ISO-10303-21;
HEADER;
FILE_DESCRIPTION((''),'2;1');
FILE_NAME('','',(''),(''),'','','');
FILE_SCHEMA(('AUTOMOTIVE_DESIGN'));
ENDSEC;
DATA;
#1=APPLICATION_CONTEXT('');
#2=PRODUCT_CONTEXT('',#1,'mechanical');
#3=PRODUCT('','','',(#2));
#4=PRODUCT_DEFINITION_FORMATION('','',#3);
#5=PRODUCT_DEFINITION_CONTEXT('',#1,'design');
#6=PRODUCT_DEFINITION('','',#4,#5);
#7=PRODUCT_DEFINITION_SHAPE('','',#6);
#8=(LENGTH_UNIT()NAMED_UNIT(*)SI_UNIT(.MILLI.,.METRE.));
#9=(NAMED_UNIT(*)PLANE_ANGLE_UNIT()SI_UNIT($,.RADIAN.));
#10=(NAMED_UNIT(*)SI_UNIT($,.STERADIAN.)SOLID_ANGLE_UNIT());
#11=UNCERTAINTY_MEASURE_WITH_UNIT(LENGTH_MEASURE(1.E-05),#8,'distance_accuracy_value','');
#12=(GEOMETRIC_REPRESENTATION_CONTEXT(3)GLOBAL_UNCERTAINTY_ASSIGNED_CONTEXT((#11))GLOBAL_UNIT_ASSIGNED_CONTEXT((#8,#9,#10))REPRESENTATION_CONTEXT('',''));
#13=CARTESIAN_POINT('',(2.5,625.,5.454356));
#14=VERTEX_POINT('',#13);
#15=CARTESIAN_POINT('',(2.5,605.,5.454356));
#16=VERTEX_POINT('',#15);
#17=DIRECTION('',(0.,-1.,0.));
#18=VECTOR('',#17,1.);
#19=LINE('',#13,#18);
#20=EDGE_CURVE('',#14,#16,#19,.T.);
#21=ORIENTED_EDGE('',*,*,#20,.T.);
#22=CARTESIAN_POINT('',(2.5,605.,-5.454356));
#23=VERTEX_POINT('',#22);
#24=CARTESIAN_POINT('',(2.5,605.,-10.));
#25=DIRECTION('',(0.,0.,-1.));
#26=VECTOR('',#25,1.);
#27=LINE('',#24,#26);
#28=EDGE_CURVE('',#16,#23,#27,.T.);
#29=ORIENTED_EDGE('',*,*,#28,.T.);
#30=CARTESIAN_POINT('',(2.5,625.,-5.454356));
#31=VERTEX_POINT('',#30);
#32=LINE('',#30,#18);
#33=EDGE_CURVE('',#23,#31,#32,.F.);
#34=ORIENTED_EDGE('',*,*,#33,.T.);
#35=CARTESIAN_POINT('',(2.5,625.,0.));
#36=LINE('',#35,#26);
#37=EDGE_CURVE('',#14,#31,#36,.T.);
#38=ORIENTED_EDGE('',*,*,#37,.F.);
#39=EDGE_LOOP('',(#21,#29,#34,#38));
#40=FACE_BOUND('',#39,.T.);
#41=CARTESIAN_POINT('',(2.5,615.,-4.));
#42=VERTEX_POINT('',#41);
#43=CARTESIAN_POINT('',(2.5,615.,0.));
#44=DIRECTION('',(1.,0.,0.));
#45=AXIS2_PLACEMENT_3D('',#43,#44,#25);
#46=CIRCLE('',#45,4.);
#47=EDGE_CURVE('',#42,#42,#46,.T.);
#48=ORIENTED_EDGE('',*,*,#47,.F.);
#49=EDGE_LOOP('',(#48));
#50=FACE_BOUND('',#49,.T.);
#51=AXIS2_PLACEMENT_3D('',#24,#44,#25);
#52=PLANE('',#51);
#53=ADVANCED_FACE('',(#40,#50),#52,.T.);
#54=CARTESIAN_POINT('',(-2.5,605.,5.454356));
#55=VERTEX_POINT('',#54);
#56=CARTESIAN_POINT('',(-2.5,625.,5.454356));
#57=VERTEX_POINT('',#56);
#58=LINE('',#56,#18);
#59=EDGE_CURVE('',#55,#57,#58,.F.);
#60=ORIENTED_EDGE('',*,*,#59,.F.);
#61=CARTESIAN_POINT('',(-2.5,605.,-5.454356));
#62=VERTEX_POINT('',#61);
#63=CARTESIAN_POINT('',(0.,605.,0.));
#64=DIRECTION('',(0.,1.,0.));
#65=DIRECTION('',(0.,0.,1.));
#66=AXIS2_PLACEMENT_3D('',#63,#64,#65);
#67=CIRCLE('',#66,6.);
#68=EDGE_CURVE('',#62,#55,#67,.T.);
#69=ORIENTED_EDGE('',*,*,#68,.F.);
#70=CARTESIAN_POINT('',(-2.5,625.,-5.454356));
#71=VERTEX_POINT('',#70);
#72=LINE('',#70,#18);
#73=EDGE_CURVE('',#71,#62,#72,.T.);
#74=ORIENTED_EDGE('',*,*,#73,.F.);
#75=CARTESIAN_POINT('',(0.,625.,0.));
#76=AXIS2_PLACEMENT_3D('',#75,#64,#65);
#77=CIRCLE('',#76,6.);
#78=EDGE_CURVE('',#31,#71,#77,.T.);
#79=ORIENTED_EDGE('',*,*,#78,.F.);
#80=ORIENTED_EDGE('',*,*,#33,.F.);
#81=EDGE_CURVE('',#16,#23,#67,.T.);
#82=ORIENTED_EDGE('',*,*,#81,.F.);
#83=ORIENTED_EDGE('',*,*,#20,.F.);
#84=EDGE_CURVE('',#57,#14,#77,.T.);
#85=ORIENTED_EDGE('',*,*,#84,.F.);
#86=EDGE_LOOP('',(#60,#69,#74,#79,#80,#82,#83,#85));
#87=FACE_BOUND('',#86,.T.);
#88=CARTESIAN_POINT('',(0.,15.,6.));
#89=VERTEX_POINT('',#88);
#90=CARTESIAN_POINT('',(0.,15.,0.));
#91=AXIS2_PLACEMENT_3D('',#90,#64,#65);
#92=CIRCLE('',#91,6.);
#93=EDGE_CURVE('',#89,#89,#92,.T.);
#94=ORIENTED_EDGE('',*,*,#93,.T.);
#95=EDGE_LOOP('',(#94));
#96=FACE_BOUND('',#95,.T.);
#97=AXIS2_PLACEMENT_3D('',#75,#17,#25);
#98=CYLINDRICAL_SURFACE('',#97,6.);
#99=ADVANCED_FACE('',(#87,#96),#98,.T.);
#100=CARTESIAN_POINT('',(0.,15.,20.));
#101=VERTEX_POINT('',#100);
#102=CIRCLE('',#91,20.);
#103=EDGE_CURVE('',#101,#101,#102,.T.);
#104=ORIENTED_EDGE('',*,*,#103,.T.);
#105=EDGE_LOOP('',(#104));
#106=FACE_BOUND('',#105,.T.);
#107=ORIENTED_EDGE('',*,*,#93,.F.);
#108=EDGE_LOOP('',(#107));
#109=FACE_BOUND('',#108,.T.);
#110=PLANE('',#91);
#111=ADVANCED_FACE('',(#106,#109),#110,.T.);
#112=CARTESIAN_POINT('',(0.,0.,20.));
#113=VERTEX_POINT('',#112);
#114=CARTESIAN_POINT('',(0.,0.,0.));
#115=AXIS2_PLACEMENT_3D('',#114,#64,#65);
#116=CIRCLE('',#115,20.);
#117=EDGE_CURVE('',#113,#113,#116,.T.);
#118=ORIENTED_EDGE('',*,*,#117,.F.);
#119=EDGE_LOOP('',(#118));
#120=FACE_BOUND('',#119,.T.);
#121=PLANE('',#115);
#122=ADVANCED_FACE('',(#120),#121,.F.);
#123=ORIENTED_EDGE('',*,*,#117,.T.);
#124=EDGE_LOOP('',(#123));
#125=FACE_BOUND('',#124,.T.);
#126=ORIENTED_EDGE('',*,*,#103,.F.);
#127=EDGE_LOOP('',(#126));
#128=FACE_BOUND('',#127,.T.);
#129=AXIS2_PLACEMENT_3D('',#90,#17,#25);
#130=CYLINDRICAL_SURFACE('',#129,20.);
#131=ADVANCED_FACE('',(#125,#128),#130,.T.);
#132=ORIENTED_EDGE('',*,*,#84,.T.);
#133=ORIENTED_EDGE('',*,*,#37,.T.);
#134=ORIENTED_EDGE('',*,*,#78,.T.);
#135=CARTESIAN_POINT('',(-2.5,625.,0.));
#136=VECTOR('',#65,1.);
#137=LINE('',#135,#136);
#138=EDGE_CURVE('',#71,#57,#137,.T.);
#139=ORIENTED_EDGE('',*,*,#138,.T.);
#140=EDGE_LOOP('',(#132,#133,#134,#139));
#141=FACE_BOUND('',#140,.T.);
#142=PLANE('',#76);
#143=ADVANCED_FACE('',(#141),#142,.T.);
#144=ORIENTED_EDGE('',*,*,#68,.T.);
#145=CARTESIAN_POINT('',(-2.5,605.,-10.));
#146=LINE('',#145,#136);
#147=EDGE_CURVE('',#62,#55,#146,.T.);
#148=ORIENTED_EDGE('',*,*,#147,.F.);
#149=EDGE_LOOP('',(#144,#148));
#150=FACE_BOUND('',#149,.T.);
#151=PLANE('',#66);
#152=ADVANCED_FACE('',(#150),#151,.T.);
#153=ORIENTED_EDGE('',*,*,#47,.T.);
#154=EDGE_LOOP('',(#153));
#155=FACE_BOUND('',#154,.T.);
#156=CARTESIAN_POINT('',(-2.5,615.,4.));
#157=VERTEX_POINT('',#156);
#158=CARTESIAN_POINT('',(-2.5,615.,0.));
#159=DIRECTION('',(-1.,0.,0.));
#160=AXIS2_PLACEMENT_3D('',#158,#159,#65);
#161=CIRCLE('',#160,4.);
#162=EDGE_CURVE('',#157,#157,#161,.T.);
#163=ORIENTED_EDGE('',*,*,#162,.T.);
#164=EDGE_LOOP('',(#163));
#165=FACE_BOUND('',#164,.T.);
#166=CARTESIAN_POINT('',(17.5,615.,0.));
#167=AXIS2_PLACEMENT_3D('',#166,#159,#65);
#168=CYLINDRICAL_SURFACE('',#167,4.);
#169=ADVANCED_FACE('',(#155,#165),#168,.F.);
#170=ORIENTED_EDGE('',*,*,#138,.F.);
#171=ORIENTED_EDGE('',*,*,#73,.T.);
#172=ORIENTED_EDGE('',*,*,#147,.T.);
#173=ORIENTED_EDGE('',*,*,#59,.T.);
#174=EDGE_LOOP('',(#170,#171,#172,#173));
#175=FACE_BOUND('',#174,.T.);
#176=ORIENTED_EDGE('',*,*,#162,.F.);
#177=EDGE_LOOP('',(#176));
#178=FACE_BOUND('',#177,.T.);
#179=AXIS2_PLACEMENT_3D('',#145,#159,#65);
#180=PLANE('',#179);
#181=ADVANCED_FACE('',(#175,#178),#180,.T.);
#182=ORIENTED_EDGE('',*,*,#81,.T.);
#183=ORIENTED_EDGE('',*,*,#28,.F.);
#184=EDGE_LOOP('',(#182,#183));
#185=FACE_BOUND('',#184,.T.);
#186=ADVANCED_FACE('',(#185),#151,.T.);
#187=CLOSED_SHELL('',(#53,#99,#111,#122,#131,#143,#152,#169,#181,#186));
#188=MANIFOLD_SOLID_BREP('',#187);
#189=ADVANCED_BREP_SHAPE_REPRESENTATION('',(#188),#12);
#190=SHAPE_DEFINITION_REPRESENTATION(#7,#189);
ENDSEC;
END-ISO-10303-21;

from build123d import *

# Parameters (mm, degrees)
SKETCH_1_R           = 20
EXTRUDE_1_DEPTH      = 15
SKETCH_2_R           = 6
EXTRUDE_2_DEPTH      = 610
SKETCH_3_OUTSIDE_W   = 167.51
SKETCH_3_OUTSIDE_H   = 167.51
SKETCH_3_OUTSIDE_W_2 = 5
SKETCH_3_OUTSIDE_H_2 = 20
CUT_EXTRUDE_1_DEPTH  = 20
SKETCH_4_R           = 4
CUT_EXTRUDE_2_DEPTH  = 20


with BuildPart() as part:
    # 草图1 → 凸台-拉伸1 (new body)
    with BuildSketch(Plane(origin=(0, 0, 0), x_dir=(1, 0, 0), z_dir=(0, 1, 0))):
        Circle(SKETCH_1_R)
    extrude(amount=EXTRUDE_1_DEPTH)

    # 草图2 → 凸台-拉伸2 (add)
    with BuildSketch(Plane(origin=(0, 15, 0), x_dir=(1, 0, 0), z_dir=(0, 1, 0))):
        Circle(SKETCH_2_R)
    extrude(amount=EXTRUDE_2_DEPTH)

    # 草图3 outside → 切除-拉伸1 (cut)
    with BuildSketch(Plane(origin=(0, 625, 0), x_dir=(1, 0, 0), z_dir=(0, 1, 0))):
        Rectangle(SKETCH_3_OUTSIDE_W, SKETCH_3_OUTSIDE_H)
        Rectangle(SKETCH_3_OUTSIDE_W_2, SKETCH_3_OUTSIDE_H_2, mode=Mode.SUBTRACT)
    extrude(amount=-CUT_EXTRUDE_1_DEPTH, mode=Mode.SUBTRACT)

    # 草图4 → 切除-拉伸2 (cut)
    with BuildSketch(Plane.ZY.offset(2.5)):
        with Locations((0, 615)):
            Circle(SKETCH_4_R)
    extrude(amount=-CUT_EXTRUDE_2_DEPTH, mode=Mode.SUBTRACT)


solid = part.part
